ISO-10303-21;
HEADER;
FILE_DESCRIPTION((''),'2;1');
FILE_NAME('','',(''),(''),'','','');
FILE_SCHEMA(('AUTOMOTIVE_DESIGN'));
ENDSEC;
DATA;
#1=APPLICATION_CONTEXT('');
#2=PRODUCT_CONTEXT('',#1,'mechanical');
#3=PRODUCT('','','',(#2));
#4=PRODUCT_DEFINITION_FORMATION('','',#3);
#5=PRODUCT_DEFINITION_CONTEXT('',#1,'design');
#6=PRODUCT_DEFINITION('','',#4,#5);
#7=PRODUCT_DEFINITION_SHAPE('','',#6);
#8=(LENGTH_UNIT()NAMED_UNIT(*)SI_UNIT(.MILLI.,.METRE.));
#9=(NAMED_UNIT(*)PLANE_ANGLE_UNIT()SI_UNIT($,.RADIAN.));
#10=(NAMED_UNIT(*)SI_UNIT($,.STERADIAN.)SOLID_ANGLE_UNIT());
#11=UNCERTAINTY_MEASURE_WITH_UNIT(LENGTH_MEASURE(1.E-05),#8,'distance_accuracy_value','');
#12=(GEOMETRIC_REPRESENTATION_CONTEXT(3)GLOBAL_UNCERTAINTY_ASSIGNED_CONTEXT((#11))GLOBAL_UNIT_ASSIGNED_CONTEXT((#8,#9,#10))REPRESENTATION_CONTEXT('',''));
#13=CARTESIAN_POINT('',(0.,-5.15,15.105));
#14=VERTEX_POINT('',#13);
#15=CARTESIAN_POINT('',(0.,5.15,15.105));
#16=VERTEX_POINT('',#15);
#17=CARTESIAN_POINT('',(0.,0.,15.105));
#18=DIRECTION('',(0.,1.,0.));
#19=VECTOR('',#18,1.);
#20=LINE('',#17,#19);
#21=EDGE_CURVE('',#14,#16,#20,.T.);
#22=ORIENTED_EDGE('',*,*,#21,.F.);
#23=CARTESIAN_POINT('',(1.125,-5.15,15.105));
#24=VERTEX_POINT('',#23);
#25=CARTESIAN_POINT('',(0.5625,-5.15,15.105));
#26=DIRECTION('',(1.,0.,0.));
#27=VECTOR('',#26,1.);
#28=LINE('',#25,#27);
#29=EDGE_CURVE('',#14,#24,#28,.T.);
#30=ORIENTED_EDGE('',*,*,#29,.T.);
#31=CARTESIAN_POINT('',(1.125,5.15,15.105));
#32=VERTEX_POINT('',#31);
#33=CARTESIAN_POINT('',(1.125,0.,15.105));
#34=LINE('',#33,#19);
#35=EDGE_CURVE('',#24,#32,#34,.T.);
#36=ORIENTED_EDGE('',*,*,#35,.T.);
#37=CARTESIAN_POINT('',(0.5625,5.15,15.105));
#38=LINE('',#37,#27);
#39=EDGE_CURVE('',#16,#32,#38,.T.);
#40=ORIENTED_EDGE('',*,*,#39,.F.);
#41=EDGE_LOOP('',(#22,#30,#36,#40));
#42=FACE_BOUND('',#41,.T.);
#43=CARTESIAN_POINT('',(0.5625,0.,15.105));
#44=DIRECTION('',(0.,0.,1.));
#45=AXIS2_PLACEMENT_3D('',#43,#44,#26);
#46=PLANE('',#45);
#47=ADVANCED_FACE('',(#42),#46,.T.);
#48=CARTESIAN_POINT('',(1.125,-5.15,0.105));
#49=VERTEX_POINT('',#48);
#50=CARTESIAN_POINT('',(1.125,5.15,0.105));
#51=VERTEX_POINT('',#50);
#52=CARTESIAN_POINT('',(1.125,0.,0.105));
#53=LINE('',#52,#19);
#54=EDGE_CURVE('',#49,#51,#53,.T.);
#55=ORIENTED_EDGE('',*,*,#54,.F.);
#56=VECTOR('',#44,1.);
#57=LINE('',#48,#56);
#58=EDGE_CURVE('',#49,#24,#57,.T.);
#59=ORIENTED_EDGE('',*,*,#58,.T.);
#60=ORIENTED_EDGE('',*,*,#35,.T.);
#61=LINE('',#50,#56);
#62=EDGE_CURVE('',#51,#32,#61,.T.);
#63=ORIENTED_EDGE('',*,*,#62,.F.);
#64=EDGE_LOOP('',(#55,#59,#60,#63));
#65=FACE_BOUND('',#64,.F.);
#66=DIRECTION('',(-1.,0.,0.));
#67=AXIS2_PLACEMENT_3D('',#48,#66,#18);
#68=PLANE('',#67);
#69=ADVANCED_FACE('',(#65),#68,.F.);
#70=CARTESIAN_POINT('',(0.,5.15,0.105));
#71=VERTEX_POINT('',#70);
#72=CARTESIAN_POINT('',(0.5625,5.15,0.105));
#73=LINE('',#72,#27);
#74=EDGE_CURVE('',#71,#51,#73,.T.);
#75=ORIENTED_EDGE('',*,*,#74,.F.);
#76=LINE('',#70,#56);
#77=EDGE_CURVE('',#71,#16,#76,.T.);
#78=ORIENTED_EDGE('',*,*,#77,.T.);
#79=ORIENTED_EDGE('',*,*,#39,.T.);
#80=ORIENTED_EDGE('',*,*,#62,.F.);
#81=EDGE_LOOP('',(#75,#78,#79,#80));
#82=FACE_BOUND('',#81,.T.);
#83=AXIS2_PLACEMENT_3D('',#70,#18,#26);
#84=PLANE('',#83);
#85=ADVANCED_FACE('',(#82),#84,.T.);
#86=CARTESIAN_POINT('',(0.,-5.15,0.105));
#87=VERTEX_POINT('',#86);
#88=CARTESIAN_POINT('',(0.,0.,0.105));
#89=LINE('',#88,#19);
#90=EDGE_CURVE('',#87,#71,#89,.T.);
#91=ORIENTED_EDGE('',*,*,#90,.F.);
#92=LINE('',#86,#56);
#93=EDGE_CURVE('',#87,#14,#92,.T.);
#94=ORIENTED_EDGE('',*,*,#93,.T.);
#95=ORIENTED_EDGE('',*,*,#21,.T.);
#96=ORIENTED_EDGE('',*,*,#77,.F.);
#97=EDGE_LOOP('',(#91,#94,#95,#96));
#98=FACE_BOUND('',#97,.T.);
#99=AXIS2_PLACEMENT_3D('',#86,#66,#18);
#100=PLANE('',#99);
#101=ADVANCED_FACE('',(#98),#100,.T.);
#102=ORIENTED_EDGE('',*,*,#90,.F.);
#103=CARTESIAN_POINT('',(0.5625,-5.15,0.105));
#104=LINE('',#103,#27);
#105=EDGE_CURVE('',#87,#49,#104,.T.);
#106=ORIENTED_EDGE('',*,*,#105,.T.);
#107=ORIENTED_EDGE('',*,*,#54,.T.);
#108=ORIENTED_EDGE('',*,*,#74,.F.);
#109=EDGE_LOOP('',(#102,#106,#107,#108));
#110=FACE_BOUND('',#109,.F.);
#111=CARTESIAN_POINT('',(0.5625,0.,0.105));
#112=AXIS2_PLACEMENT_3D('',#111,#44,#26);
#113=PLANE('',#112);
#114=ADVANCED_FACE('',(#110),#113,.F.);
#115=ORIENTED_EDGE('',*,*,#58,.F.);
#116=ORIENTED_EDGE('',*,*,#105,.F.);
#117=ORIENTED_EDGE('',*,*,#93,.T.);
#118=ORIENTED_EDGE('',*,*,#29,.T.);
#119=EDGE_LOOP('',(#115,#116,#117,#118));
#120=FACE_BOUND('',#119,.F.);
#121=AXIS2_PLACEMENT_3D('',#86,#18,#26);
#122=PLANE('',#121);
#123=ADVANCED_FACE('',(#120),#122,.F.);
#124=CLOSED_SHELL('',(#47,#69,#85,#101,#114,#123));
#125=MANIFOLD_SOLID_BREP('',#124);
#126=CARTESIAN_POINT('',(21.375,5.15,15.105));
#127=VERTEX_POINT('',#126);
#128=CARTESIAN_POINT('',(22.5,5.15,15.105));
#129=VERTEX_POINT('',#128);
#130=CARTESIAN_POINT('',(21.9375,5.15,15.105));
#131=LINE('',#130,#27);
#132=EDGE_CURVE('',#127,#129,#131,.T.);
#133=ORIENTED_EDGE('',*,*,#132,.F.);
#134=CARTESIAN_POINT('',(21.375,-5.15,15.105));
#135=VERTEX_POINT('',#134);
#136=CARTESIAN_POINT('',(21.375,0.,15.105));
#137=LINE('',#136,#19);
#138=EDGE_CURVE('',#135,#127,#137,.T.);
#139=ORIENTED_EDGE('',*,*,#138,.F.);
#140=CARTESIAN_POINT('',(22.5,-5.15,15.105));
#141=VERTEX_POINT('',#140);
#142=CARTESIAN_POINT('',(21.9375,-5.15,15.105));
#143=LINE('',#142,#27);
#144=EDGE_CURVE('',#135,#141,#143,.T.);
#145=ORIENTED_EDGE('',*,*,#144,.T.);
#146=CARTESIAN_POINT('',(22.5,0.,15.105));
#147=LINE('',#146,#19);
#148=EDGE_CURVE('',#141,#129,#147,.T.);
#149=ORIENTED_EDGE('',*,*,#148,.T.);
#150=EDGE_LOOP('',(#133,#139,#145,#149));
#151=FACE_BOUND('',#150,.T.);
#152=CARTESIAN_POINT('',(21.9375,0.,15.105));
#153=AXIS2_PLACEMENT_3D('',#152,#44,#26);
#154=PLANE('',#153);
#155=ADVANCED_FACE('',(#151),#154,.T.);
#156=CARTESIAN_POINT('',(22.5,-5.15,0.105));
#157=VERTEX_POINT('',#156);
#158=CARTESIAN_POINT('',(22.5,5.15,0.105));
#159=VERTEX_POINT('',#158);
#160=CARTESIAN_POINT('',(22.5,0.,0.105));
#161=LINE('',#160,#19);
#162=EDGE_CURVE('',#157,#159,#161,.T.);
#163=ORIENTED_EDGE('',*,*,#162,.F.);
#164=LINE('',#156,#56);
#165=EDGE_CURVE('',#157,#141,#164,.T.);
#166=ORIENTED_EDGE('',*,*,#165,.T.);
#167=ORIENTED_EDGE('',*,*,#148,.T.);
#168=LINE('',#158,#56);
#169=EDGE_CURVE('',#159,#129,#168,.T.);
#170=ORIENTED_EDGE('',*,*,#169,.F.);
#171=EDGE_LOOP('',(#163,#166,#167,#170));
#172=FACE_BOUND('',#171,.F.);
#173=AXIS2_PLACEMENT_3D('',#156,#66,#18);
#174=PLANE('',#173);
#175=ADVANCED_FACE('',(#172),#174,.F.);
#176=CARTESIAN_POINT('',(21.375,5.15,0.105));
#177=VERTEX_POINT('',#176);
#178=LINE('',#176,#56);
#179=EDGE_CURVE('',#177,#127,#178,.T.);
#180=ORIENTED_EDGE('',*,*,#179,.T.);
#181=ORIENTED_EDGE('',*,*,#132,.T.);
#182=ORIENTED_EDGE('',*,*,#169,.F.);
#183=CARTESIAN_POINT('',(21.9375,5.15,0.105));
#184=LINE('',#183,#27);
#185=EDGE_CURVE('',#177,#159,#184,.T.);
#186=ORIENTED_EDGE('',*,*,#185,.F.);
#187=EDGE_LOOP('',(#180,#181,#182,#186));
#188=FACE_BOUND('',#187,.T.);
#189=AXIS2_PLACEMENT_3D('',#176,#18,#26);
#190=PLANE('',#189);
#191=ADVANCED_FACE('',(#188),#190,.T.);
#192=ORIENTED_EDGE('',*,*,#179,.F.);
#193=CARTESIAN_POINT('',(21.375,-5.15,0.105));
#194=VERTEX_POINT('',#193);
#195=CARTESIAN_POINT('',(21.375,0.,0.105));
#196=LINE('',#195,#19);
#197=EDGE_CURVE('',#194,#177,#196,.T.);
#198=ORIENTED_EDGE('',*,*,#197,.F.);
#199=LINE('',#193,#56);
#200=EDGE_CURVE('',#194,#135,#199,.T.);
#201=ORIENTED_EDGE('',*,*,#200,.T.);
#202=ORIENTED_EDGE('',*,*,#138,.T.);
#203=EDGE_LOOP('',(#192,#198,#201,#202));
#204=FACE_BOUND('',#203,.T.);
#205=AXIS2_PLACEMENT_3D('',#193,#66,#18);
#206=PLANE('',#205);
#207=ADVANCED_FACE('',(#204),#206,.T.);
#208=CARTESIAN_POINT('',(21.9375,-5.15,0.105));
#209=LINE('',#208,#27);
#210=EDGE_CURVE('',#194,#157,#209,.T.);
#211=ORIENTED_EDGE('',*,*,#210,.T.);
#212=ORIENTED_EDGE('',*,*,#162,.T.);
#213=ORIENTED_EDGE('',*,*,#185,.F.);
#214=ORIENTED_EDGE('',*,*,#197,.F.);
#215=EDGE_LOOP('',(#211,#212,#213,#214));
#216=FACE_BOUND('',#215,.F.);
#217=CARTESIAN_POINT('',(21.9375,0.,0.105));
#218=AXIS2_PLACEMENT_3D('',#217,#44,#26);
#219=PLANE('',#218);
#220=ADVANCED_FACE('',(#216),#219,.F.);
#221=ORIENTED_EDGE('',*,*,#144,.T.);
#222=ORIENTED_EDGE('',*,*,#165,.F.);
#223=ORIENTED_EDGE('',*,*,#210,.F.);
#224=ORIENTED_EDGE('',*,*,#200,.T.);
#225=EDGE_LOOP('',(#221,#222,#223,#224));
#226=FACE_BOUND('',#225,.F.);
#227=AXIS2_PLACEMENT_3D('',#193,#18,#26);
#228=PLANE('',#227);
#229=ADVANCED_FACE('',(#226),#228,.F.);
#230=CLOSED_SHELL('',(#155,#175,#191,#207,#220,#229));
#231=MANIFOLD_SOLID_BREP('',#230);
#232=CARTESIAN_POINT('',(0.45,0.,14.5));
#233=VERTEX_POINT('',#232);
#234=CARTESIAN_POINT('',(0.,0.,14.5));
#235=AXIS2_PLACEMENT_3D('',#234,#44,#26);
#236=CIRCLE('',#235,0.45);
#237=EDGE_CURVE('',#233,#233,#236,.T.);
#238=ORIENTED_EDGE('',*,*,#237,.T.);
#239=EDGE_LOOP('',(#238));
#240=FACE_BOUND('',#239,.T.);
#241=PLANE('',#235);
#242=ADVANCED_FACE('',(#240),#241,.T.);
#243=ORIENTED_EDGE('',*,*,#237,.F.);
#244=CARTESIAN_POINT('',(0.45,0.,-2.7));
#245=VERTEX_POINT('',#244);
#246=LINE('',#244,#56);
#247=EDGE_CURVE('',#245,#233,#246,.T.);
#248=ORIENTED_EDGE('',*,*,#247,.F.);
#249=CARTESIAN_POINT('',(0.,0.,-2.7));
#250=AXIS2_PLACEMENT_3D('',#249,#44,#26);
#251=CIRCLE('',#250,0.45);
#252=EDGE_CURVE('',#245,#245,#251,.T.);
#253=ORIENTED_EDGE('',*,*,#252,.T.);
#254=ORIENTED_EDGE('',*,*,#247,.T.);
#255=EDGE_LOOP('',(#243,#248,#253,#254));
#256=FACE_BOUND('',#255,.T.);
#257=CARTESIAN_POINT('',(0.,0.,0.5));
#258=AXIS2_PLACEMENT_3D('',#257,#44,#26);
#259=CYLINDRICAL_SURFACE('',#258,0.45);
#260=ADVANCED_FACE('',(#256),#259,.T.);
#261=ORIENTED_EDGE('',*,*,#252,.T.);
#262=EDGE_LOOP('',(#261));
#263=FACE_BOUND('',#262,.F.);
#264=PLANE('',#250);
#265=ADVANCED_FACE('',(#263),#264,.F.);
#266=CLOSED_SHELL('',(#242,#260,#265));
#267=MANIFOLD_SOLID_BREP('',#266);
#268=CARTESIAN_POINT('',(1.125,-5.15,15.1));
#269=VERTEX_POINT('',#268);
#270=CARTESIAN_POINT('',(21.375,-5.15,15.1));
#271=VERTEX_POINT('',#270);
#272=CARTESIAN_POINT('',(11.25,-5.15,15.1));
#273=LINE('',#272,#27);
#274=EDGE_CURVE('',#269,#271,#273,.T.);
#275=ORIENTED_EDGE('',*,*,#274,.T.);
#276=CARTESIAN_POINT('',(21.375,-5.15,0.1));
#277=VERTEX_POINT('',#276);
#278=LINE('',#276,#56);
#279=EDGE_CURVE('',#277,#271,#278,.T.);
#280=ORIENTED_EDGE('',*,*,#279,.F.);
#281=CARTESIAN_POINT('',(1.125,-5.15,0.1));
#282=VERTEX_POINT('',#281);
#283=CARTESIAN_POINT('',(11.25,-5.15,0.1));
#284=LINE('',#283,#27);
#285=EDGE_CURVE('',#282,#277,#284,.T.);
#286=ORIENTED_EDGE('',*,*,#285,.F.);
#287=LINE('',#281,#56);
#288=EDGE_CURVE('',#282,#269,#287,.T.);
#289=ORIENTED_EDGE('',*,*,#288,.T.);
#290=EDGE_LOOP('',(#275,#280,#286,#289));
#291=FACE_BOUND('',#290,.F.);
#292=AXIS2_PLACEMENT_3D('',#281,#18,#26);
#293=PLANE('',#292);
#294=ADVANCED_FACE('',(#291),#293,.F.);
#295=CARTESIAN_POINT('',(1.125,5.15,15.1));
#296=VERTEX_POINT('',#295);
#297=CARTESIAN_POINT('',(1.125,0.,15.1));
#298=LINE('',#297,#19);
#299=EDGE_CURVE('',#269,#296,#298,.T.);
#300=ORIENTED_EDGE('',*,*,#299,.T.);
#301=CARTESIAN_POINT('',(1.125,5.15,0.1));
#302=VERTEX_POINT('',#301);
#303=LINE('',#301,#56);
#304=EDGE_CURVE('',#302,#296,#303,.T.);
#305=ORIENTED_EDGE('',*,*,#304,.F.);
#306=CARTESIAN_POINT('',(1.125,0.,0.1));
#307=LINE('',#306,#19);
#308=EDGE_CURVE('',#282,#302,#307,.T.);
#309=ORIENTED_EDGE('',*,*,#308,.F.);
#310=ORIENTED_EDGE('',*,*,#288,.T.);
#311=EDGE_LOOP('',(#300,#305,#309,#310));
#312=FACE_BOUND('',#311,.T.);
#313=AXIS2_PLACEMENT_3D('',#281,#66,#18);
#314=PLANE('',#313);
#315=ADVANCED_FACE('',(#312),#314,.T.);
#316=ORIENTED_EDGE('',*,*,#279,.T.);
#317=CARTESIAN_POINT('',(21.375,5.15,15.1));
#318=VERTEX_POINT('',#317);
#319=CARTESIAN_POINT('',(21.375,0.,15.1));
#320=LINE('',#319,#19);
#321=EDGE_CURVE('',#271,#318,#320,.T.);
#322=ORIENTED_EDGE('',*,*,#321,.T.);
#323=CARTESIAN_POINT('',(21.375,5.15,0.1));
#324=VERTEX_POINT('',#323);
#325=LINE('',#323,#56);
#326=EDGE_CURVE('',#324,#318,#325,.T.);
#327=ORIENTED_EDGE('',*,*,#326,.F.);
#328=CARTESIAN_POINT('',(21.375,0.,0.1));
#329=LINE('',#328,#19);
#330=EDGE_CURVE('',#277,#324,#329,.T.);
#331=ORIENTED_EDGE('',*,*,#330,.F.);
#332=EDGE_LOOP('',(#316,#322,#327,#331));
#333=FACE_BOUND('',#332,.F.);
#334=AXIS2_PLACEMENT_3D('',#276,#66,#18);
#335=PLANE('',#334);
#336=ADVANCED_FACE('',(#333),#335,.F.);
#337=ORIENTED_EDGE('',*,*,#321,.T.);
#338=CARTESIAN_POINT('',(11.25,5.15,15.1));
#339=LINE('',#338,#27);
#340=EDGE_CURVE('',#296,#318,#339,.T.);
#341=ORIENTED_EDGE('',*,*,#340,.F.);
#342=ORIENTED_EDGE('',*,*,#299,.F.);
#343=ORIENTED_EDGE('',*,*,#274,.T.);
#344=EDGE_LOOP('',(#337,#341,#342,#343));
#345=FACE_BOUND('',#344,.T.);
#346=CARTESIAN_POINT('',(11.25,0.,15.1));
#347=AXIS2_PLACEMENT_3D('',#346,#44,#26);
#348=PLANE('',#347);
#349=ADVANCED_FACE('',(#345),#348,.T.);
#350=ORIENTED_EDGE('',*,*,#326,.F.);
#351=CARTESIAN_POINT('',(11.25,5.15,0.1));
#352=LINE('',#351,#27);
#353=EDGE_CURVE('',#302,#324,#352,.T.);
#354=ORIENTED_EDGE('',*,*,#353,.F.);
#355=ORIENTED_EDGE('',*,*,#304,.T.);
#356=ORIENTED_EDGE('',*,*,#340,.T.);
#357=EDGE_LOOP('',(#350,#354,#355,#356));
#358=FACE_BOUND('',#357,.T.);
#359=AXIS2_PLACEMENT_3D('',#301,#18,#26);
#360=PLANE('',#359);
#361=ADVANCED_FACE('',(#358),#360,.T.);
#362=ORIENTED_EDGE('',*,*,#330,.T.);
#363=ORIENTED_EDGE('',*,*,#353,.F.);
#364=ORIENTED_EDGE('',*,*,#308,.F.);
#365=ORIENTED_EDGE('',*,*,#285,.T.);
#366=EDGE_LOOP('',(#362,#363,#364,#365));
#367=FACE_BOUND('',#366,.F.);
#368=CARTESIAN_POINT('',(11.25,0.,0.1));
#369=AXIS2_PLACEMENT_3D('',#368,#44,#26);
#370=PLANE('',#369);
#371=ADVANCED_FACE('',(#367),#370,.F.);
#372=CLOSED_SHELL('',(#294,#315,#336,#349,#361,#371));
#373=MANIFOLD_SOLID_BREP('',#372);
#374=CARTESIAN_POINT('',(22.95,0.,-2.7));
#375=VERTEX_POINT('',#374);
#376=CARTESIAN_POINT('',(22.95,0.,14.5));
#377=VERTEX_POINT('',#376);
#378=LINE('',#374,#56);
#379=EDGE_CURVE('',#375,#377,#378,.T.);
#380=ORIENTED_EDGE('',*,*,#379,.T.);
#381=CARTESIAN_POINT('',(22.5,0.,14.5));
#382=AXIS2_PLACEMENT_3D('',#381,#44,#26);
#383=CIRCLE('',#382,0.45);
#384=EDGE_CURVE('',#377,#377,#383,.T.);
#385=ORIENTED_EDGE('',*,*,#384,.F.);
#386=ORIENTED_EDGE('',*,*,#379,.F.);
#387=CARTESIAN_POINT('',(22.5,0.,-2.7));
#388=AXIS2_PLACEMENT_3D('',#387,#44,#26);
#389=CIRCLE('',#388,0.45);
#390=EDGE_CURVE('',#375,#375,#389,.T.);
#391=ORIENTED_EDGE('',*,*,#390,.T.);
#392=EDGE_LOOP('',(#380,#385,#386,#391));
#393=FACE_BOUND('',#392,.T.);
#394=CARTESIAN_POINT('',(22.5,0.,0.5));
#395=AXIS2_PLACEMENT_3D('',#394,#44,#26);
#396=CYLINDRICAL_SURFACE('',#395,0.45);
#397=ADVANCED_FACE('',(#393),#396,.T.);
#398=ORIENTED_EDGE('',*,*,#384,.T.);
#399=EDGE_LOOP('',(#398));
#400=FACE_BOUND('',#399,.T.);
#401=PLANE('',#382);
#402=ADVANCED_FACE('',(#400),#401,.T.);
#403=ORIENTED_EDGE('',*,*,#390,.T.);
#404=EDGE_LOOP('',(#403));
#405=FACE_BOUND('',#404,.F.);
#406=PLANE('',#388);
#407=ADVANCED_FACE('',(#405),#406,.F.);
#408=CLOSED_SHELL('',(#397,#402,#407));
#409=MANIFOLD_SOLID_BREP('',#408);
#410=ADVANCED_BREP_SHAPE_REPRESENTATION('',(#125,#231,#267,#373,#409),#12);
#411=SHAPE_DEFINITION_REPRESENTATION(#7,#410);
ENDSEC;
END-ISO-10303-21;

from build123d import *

# Parameters (mm, degrees)
SKETCH_W          = 20.25
SKETCH_H          = 10.3
PAD_DEPTH         = 15
SKETCH001_R       = 0.45
PAD001_DEPTH      = 14
PAD001_DEPTH_BACK = 3.2
SKETCH002_W       = 1.125
SKETCH002_H       = 10.3
PAD002_DEPTH      = 15


with BuildPart() as pad:
    # Sketch → Pad (new body)
    with BuildSketch(Plane.XY.offset(0.1)):
        with Locations((11.25, 0)):
            Rectangle(SKETCH_W, SKETCH_H)
    extrude(amount=PAD_DEPTH)


with BuildPart() as pad001:
    # Sketch001 → Pad001 (new body, two sides)
    with BuildSketch(Plane.XY.offset(0.5)) as pad001_sk:
        Circle(SKETCH001_R)
        with Locations((22.5, 0)):
            Circle(SKETCH001_R)
    extrude(amount=PAD001_DEPTH)
    extrude(pad001_sk.sketch, amount=-PAD001_DEPTH_BACK)


with BuildPart() as pad002:
    # Sketch002 → Pad002 (new body)
    with BuildSketch(Plane.XY.offset(0.105)):
        with Locations((0.5625, 0)):
            Rectangle(SKETCH002_W, SKETCH002_H)
        with Locations((21.9375, 0)):
            Rectangle(SKETCH002_W, SKETCH002_H)
    extrude(amount=PAD002_DEPTH)


solid = Compound([pad.part, pad001.part, pad002.part])
